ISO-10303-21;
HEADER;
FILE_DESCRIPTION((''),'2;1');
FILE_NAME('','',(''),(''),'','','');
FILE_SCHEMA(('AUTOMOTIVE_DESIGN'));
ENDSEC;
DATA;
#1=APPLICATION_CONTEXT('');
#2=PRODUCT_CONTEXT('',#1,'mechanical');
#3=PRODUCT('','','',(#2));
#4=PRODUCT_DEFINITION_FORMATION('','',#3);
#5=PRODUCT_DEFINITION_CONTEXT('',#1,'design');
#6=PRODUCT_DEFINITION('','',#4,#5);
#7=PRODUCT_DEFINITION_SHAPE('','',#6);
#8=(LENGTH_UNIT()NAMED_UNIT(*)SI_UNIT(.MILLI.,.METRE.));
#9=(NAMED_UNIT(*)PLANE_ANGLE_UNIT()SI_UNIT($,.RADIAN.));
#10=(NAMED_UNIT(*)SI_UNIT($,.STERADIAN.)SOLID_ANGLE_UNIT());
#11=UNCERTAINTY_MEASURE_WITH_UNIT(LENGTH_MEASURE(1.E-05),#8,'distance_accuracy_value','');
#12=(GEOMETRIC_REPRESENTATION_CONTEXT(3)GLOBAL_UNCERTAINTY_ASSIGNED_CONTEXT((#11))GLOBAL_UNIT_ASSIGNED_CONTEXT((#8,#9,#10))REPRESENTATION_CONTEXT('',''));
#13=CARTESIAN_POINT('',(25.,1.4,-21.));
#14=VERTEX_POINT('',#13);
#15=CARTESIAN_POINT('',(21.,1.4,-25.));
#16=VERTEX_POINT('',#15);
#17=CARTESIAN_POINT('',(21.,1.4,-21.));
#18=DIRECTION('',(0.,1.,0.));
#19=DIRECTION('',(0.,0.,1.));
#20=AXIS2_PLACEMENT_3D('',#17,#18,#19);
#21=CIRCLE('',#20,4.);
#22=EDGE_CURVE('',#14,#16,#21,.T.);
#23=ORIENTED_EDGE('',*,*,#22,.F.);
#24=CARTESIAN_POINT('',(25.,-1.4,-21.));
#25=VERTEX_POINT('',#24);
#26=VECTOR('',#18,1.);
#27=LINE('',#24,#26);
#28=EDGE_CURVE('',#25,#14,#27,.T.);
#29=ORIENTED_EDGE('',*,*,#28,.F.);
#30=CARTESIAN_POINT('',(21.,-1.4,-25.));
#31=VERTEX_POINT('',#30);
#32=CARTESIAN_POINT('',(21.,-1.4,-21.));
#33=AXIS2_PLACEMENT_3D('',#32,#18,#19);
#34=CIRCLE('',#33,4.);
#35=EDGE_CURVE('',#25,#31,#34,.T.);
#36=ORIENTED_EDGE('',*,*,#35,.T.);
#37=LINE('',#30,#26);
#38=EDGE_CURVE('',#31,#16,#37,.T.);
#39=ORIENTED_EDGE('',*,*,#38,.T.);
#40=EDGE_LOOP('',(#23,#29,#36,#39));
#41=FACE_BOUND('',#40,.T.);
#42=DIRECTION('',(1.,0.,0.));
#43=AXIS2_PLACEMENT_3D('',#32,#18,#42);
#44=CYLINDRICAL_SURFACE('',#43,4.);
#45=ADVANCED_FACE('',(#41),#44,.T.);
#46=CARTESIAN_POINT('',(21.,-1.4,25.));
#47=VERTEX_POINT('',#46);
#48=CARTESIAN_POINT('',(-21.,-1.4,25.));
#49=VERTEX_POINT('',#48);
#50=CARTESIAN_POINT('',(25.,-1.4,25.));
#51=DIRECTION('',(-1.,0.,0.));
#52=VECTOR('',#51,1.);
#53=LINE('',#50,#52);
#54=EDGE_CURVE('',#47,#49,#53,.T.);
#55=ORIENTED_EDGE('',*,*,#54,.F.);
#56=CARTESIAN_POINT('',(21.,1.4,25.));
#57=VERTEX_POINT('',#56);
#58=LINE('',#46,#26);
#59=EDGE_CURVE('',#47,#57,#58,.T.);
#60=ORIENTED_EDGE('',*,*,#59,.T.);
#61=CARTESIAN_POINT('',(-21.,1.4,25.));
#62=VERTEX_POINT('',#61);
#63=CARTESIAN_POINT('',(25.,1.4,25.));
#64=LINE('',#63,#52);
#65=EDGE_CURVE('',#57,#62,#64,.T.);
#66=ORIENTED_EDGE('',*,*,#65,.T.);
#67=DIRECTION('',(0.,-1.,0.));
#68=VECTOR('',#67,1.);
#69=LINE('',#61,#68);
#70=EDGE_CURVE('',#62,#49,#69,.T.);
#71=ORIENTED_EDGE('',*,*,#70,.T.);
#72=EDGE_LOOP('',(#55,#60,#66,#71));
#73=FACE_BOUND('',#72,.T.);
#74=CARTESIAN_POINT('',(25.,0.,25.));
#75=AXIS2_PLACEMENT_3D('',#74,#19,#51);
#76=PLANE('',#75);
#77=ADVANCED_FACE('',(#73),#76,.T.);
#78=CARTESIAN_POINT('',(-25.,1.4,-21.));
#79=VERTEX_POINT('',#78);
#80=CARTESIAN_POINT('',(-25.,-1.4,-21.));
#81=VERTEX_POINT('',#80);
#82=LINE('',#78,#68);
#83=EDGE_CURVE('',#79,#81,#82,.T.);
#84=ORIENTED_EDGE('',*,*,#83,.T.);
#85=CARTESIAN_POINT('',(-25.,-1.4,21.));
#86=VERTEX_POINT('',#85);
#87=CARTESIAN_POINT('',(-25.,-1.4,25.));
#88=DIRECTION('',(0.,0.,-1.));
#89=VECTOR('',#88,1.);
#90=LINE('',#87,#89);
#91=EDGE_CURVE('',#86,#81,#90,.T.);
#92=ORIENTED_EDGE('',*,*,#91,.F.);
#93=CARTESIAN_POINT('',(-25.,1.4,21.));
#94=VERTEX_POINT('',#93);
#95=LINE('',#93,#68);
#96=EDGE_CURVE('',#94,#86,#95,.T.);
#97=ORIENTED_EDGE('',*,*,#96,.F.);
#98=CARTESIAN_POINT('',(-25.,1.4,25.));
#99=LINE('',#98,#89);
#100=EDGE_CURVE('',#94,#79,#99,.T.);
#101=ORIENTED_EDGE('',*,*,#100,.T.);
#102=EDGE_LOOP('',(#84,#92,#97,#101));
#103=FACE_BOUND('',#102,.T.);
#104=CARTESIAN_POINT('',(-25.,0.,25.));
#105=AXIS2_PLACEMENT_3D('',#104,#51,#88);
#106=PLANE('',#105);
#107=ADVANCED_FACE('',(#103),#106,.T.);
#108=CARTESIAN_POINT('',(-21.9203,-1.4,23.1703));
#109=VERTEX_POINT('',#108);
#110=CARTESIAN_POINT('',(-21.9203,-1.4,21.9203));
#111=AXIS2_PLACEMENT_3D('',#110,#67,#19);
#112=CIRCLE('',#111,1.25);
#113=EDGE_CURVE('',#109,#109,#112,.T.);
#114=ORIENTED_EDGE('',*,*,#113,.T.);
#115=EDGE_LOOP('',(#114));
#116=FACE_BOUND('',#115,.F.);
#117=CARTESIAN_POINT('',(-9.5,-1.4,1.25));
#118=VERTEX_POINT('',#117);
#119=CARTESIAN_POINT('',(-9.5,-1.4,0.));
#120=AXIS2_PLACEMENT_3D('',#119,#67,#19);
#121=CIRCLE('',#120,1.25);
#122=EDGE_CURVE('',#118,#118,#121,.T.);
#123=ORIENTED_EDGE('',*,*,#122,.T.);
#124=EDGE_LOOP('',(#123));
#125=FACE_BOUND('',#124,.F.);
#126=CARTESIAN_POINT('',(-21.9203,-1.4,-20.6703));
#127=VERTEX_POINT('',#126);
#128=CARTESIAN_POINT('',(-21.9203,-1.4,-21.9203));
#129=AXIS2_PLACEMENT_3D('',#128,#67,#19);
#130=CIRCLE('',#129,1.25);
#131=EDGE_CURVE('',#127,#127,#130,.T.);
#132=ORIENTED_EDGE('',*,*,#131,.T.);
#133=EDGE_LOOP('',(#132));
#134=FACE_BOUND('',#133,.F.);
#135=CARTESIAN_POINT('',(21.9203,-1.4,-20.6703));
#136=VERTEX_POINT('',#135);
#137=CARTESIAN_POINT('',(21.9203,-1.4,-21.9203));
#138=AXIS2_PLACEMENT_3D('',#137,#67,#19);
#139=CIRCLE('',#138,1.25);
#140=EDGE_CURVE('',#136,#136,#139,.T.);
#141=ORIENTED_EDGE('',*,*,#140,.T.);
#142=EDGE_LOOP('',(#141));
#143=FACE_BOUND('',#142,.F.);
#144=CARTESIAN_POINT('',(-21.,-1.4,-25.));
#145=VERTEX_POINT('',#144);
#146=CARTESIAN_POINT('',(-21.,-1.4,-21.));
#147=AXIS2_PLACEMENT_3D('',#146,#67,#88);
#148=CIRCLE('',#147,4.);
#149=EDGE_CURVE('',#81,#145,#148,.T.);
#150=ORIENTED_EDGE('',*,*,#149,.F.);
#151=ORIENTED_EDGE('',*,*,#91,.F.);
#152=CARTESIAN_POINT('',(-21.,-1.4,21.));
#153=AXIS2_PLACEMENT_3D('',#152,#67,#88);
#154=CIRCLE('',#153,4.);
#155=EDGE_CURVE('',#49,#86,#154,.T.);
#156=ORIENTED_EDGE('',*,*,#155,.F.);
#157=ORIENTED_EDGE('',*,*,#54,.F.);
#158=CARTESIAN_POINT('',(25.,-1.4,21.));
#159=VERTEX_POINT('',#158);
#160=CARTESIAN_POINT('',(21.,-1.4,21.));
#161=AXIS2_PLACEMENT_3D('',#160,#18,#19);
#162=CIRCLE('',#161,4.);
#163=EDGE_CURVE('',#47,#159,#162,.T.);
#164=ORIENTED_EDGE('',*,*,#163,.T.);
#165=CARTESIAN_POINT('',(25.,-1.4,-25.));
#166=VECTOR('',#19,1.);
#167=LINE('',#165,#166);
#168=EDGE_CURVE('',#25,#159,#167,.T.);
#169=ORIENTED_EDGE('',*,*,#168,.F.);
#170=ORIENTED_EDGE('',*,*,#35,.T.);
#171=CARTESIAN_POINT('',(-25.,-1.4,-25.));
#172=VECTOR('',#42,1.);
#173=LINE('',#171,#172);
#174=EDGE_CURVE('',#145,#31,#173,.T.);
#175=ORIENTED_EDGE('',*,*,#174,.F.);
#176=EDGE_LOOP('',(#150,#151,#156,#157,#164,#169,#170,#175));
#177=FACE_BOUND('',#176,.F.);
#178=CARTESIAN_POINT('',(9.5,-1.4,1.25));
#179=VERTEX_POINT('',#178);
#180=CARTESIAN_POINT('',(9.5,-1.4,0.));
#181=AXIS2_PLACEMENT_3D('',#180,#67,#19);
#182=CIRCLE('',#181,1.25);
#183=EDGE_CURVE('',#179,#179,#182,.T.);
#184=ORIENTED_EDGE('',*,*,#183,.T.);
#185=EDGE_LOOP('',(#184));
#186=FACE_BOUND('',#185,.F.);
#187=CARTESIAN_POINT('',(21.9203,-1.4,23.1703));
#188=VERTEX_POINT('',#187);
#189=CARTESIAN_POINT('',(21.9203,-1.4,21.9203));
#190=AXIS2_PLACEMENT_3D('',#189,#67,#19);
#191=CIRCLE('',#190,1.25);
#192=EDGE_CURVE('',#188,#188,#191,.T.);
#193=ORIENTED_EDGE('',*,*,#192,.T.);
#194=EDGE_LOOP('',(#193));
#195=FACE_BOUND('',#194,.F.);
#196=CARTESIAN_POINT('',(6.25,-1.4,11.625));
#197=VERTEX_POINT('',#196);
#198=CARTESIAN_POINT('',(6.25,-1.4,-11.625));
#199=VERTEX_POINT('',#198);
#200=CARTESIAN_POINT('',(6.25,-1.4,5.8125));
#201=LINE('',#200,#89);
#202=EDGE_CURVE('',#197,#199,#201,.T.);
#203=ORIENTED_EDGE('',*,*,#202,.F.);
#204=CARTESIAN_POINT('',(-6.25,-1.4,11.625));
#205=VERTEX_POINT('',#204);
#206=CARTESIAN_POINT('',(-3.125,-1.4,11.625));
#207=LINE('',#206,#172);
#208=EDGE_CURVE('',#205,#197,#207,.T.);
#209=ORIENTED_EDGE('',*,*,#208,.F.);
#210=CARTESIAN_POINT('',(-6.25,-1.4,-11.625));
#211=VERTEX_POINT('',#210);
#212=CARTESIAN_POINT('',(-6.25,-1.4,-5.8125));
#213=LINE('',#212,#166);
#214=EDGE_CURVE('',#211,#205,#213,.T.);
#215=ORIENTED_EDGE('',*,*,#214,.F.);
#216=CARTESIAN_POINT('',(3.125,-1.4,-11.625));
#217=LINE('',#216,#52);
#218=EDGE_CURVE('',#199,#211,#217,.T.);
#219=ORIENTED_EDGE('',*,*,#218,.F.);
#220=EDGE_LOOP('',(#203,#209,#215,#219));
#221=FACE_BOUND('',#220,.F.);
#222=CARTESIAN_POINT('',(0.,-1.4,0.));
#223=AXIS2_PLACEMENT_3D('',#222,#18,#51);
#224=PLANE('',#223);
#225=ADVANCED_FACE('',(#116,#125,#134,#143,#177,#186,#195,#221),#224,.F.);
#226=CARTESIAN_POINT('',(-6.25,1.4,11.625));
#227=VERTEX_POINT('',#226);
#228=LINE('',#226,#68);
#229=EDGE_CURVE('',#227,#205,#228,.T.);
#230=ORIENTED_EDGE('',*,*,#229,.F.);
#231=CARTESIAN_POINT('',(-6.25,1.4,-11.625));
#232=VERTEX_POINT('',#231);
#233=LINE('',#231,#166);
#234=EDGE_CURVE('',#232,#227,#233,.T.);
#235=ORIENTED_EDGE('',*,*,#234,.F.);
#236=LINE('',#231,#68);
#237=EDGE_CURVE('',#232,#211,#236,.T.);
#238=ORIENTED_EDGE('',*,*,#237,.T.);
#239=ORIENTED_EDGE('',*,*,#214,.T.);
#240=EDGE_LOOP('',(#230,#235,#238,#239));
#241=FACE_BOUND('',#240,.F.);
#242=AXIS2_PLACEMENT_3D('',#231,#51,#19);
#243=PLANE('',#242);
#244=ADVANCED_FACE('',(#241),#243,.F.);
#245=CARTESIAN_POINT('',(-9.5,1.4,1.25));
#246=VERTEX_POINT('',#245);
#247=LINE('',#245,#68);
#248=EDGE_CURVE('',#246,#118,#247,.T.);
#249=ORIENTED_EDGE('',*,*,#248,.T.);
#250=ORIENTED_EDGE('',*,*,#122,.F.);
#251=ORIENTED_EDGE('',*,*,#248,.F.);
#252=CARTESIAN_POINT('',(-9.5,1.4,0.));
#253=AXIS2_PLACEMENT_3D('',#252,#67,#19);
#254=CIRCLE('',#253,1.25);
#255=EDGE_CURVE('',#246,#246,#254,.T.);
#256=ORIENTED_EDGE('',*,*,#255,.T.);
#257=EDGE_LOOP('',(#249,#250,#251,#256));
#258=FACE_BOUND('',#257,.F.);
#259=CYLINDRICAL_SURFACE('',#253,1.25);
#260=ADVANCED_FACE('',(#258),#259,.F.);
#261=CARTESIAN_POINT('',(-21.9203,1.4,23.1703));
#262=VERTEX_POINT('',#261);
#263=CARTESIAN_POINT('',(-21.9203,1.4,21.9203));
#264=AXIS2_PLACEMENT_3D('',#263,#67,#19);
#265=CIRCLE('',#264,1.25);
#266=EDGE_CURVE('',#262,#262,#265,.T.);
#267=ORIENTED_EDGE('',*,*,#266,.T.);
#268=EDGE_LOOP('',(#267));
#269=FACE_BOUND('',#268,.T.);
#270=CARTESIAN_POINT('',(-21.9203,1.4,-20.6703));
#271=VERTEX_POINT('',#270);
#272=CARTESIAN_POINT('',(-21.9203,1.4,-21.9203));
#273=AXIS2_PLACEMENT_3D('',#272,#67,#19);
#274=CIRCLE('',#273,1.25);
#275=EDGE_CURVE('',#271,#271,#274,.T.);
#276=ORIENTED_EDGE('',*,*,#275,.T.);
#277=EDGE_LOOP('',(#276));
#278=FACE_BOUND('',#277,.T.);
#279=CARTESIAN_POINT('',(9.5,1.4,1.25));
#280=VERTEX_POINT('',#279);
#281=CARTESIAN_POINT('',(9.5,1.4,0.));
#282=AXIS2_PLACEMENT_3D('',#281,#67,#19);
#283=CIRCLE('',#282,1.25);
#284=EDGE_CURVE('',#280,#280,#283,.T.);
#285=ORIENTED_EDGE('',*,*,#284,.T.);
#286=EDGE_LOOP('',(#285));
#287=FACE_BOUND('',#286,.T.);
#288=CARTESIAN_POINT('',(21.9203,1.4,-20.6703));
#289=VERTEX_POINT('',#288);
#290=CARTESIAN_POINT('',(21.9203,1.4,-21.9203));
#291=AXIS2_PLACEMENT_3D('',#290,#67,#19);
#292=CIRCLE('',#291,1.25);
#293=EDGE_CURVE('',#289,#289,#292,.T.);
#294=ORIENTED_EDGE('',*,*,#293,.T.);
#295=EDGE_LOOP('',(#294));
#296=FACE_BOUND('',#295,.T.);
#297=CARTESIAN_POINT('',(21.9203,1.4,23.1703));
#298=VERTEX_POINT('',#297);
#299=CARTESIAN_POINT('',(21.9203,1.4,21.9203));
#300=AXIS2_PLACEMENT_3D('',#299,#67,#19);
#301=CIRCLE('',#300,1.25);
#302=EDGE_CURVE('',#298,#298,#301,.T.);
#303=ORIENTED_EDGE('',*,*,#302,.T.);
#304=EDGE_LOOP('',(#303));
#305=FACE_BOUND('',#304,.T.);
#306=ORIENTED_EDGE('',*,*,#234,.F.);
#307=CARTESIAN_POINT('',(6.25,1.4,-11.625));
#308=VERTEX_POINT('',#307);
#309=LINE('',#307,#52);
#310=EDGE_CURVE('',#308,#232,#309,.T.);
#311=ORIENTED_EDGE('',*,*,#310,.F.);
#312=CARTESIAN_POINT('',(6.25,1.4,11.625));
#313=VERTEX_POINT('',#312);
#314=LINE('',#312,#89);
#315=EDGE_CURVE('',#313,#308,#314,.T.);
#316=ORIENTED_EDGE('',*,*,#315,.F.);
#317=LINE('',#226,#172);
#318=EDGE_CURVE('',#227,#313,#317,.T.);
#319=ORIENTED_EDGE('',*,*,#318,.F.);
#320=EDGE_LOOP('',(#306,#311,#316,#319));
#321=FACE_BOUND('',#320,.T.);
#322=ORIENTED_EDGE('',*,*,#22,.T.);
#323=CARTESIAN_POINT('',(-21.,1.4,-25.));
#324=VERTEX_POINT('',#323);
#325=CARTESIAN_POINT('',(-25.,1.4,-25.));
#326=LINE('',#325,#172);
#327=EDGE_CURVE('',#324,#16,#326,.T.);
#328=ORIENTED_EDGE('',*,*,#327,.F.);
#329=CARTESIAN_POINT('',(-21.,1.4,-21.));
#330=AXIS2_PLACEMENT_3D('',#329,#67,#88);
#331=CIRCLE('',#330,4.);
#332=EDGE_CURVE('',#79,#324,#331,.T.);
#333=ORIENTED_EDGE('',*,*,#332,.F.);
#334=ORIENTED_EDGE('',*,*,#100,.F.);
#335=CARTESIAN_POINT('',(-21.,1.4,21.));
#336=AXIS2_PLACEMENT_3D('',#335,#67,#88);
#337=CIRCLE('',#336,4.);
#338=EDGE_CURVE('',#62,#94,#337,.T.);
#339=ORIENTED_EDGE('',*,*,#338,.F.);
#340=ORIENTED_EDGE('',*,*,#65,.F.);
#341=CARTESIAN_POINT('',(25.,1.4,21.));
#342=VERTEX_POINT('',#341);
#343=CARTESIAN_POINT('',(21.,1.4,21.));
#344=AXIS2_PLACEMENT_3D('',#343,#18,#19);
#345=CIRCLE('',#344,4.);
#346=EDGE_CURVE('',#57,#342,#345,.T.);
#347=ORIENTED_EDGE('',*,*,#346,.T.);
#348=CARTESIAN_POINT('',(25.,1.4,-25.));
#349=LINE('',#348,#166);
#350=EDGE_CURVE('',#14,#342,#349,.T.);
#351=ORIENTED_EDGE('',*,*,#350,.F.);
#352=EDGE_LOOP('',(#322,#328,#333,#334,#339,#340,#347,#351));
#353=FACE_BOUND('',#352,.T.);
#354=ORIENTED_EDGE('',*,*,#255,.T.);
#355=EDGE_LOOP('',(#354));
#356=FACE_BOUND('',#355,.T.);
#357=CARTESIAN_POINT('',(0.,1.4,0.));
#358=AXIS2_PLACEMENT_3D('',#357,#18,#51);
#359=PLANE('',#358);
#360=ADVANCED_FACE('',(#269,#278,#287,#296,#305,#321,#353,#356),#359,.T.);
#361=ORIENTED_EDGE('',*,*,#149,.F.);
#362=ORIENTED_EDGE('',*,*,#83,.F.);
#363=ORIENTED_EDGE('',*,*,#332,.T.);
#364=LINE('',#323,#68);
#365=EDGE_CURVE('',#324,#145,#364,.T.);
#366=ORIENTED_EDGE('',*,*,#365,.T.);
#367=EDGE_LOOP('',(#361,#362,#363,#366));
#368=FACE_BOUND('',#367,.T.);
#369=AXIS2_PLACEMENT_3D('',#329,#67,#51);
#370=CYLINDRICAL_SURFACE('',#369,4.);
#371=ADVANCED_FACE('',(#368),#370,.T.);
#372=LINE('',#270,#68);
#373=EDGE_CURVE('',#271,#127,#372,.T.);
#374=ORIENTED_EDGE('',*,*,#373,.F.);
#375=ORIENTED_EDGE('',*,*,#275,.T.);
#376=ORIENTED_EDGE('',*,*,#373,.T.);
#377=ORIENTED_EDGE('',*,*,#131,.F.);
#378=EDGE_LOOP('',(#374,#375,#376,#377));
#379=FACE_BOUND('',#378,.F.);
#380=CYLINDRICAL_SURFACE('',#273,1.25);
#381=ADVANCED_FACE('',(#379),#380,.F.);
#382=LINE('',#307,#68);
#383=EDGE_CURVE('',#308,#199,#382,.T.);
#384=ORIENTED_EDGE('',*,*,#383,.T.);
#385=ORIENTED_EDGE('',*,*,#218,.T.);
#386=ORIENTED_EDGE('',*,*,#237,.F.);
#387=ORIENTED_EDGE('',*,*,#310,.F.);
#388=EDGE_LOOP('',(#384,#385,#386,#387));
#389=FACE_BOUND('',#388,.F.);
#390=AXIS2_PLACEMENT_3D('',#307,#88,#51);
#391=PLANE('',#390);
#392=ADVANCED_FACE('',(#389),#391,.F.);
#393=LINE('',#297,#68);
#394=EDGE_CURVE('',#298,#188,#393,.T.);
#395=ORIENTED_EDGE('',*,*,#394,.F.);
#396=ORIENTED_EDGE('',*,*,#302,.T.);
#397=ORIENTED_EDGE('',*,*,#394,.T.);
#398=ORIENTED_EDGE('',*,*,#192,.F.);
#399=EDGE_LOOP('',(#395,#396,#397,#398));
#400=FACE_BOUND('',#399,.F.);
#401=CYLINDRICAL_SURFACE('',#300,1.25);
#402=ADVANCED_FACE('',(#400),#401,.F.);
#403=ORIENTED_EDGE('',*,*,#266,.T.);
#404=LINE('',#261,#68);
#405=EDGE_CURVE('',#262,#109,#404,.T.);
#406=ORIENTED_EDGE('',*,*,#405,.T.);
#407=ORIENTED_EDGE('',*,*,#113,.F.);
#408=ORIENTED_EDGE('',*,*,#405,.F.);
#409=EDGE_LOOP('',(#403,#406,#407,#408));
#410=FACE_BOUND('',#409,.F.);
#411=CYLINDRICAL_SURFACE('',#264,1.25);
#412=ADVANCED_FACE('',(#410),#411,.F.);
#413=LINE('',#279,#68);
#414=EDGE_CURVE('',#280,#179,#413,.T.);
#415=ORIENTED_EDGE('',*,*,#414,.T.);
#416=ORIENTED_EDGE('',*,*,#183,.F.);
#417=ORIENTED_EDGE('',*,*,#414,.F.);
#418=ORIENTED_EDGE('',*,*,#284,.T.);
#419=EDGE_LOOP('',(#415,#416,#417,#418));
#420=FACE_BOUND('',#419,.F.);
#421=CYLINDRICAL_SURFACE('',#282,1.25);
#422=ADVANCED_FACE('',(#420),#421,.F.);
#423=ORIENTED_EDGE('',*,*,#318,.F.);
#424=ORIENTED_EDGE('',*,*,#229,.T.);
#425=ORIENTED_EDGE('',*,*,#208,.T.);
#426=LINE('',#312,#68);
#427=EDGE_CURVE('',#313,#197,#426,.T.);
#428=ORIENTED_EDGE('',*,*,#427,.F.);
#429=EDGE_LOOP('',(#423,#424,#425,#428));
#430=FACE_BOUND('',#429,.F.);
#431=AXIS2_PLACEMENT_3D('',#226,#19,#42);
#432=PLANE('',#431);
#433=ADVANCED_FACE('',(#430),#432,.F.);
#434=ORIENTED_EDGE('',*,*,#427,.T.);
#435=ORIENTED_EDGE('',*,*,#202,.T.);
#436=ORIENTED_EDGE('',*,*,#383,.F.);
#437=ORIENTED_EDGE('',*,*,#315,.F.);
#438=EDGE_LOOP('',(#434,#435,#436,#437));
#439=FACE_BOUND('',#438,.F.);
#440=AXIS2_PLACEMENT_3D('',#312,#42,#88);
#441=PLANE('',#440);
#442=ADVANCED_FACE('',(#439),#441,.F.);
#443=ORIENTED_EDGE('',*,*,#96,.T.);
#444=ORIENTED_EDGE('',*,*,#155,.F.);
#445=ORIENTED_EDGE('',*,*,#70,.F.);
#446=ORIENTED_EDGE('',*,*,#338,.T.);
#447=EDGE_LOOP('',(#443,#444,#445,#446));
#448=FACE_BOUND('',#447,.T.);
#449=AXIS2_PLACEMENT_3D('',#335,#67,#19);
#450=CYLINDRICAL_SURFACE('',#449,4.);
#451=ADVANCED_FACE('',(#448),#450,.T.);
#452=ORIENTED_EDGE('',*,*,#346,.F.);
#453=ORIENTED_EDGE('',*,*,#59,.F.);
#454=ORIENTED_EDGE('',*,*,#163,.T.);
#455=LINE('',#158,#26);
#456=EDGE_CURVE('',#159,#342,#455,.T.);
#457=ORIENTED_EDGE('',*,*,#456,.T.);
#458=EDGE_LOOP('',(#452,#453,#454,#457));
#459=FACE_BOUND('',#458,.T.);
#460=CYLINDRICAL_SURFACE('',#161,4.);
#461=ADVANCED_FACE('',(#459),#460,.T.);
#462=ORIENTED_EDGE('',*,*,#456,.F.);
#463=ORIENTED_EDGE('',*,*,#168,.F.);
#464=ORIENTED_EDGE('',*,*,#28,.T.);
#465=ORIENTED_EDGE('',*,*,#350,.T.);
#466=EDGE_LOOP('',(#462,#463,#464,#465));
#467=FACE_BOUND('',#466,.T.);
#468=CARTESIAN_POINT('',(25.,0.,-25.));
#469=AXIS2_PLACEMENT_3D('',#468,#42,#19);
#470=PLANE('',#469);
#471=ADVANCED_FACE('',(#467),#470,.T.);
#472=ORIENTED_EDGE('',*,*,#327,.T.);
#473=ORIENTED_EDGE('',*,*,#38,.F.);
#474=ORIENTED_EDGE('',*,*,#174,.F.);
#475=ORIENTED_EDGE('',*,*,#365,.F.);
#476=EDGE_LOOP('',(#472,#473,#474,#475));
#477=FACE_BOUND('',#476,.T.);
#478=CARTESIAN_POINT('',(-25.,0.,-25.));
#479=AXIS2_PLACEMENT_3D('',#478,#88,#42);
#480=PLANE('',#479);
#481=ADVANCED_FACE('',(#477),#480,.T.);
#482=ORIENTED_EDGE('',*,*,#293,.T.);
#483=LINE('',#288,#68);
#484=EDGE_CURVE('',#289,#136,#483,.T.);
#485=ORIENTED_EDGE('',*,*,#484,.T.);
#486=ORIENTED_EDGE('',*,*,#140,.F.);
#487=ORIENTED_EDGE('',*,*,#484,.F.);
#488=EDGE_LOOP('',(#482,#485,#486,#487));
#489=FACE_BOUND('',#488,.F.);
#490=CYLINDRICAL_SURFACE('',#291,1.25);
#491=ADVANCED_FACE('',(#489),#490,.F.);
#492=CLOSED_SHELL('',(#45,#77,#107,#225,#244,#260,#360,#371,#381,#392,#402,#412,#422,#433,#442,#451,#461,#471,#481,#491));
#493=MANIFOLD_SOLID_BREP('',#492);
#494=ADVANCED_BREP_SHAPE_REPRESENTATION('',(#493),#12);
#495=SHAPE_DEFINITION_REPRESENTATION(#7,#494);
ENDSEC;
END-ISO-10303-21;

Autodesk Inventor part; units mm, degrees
ref_plane "YZ Plane" through (0, 0, 0) normal (1, 0, 0) x (0, 1, 0)
ref_plane "XZ Plane" through (0, 0, 0) normal (0, 1, 0) x (-1, 0, 0)
ref_plane "XY Plane" through (0, 0, 0) normal (0, 0, 1) x (1, 0, 0)
sketch "Sketch1" plane through (0, 0, 0) normal (0, 1, 0) x (-1, 0, 0)
  line L0 (-25, 25) -> (25, 25)
  line L1 (25, 25) -> (25, -25)
  line L2 (25, -25) -> (-25, -25)
  line L3 (-25, -25) -> (-25, 25)
  line L4 (-25, 25) -> (25, -25) construction
  line L5 (25, 25) -> (-25, -25) construction
  point P0 (0, 0)
  dimension "d0" = 50
extrude "Extrusion1" add sketch "Sketch1" along normal mid plane 2.8
sketch "Sketch2" plane through (0, 1.4, 0) normal (0, 1, 0) x (1, 0, 0)
  line L0 (-6.25, -11.625) -> (6.25, -11.625)
  line L1 (6.25, -11.625) -> (6.25, 11.625)
  line L2 (6.25, 11.625) -> (-6.25, 11.625)
  line L3 (-6.25, 11.625) -> (-6.25, -11.625)
  line L4 (-6.25, -11.625) -> (6.25, 11.625) construction
  line L5 (6.25, -11.625) -> (-6.25, 11.625) construction
  point P0 (0, 0)
  dimension "d3" = 12.5
  dimension "d4" = 23.25
extrude "Extrusion2" cut sketch "Sketch2" against normal through all
sketch "Sketch3" plane through (0, 1.4, 0) normal (0, 1, 0) x (1, 0, 0)
  line L0 (6.25, 11.625) -> (6.25, -11.625) construction
  line L1 (6.25, -11.625) -> (-6.25, -11.625) construction
  line L2 (-6.25, -11.625) -> (-6.25, 11.625) construction
  line L3 (-6.25, 11.625) -> (6.25, 11.625) construction
  line L4 (-25, -25) -> (25, -25) construction
  line L5 (25, -25) -> (25, 25) construction
  line L6 (25, 25) -> (-25, 25) construction
  line L7 (-25, 25) -> (-25, -25) construction
  line L8 (-21.9203, 21.9203) -> (21.9203, 21.9203)
  line L9 (21.9203, 21.9203) -> (21.9203, -21.9203)
  line L10 (21.9203, -21.9203) -> (-21.9203, -21.9203)
  line L11 (-21.9203, -21.9203) -> (-21.9203, 21.9203)
  line L12 (-9.5, 14.875) -> (-9.5, -14.875)
  line L13 (-9.5, -14.875) -> (9.5, -14.875)
  line L14 (9.5, -14.875) -> (9.5, 14.875)
  line L15 (9.5, 14.875) -> (-9.5, 14.875)
  point P0 (0, 0)
  point P1 (-9.5, 0)
  point P2 (9.5, 0)
  dimension "d7" = 62
  dimension "d8" = 19
hole "Hole1" at (-21.9203, 1.4, -21.9203) at (21.9203, 1.4, -21.9203) at (21.9203, 1.4, 21.9203) at (-21.9203, 1.4, 21.9203) at (-9.5, 1.4, 0) at (9.5, 1.4, 0) direction (0, -1, 0) diameter 2.5 end through all
fillet "Fillet1" radius 4 4 edges at (-25, 0, -25) (25, 0, -25) (25, 0, 25) (-25, 0, 25)
